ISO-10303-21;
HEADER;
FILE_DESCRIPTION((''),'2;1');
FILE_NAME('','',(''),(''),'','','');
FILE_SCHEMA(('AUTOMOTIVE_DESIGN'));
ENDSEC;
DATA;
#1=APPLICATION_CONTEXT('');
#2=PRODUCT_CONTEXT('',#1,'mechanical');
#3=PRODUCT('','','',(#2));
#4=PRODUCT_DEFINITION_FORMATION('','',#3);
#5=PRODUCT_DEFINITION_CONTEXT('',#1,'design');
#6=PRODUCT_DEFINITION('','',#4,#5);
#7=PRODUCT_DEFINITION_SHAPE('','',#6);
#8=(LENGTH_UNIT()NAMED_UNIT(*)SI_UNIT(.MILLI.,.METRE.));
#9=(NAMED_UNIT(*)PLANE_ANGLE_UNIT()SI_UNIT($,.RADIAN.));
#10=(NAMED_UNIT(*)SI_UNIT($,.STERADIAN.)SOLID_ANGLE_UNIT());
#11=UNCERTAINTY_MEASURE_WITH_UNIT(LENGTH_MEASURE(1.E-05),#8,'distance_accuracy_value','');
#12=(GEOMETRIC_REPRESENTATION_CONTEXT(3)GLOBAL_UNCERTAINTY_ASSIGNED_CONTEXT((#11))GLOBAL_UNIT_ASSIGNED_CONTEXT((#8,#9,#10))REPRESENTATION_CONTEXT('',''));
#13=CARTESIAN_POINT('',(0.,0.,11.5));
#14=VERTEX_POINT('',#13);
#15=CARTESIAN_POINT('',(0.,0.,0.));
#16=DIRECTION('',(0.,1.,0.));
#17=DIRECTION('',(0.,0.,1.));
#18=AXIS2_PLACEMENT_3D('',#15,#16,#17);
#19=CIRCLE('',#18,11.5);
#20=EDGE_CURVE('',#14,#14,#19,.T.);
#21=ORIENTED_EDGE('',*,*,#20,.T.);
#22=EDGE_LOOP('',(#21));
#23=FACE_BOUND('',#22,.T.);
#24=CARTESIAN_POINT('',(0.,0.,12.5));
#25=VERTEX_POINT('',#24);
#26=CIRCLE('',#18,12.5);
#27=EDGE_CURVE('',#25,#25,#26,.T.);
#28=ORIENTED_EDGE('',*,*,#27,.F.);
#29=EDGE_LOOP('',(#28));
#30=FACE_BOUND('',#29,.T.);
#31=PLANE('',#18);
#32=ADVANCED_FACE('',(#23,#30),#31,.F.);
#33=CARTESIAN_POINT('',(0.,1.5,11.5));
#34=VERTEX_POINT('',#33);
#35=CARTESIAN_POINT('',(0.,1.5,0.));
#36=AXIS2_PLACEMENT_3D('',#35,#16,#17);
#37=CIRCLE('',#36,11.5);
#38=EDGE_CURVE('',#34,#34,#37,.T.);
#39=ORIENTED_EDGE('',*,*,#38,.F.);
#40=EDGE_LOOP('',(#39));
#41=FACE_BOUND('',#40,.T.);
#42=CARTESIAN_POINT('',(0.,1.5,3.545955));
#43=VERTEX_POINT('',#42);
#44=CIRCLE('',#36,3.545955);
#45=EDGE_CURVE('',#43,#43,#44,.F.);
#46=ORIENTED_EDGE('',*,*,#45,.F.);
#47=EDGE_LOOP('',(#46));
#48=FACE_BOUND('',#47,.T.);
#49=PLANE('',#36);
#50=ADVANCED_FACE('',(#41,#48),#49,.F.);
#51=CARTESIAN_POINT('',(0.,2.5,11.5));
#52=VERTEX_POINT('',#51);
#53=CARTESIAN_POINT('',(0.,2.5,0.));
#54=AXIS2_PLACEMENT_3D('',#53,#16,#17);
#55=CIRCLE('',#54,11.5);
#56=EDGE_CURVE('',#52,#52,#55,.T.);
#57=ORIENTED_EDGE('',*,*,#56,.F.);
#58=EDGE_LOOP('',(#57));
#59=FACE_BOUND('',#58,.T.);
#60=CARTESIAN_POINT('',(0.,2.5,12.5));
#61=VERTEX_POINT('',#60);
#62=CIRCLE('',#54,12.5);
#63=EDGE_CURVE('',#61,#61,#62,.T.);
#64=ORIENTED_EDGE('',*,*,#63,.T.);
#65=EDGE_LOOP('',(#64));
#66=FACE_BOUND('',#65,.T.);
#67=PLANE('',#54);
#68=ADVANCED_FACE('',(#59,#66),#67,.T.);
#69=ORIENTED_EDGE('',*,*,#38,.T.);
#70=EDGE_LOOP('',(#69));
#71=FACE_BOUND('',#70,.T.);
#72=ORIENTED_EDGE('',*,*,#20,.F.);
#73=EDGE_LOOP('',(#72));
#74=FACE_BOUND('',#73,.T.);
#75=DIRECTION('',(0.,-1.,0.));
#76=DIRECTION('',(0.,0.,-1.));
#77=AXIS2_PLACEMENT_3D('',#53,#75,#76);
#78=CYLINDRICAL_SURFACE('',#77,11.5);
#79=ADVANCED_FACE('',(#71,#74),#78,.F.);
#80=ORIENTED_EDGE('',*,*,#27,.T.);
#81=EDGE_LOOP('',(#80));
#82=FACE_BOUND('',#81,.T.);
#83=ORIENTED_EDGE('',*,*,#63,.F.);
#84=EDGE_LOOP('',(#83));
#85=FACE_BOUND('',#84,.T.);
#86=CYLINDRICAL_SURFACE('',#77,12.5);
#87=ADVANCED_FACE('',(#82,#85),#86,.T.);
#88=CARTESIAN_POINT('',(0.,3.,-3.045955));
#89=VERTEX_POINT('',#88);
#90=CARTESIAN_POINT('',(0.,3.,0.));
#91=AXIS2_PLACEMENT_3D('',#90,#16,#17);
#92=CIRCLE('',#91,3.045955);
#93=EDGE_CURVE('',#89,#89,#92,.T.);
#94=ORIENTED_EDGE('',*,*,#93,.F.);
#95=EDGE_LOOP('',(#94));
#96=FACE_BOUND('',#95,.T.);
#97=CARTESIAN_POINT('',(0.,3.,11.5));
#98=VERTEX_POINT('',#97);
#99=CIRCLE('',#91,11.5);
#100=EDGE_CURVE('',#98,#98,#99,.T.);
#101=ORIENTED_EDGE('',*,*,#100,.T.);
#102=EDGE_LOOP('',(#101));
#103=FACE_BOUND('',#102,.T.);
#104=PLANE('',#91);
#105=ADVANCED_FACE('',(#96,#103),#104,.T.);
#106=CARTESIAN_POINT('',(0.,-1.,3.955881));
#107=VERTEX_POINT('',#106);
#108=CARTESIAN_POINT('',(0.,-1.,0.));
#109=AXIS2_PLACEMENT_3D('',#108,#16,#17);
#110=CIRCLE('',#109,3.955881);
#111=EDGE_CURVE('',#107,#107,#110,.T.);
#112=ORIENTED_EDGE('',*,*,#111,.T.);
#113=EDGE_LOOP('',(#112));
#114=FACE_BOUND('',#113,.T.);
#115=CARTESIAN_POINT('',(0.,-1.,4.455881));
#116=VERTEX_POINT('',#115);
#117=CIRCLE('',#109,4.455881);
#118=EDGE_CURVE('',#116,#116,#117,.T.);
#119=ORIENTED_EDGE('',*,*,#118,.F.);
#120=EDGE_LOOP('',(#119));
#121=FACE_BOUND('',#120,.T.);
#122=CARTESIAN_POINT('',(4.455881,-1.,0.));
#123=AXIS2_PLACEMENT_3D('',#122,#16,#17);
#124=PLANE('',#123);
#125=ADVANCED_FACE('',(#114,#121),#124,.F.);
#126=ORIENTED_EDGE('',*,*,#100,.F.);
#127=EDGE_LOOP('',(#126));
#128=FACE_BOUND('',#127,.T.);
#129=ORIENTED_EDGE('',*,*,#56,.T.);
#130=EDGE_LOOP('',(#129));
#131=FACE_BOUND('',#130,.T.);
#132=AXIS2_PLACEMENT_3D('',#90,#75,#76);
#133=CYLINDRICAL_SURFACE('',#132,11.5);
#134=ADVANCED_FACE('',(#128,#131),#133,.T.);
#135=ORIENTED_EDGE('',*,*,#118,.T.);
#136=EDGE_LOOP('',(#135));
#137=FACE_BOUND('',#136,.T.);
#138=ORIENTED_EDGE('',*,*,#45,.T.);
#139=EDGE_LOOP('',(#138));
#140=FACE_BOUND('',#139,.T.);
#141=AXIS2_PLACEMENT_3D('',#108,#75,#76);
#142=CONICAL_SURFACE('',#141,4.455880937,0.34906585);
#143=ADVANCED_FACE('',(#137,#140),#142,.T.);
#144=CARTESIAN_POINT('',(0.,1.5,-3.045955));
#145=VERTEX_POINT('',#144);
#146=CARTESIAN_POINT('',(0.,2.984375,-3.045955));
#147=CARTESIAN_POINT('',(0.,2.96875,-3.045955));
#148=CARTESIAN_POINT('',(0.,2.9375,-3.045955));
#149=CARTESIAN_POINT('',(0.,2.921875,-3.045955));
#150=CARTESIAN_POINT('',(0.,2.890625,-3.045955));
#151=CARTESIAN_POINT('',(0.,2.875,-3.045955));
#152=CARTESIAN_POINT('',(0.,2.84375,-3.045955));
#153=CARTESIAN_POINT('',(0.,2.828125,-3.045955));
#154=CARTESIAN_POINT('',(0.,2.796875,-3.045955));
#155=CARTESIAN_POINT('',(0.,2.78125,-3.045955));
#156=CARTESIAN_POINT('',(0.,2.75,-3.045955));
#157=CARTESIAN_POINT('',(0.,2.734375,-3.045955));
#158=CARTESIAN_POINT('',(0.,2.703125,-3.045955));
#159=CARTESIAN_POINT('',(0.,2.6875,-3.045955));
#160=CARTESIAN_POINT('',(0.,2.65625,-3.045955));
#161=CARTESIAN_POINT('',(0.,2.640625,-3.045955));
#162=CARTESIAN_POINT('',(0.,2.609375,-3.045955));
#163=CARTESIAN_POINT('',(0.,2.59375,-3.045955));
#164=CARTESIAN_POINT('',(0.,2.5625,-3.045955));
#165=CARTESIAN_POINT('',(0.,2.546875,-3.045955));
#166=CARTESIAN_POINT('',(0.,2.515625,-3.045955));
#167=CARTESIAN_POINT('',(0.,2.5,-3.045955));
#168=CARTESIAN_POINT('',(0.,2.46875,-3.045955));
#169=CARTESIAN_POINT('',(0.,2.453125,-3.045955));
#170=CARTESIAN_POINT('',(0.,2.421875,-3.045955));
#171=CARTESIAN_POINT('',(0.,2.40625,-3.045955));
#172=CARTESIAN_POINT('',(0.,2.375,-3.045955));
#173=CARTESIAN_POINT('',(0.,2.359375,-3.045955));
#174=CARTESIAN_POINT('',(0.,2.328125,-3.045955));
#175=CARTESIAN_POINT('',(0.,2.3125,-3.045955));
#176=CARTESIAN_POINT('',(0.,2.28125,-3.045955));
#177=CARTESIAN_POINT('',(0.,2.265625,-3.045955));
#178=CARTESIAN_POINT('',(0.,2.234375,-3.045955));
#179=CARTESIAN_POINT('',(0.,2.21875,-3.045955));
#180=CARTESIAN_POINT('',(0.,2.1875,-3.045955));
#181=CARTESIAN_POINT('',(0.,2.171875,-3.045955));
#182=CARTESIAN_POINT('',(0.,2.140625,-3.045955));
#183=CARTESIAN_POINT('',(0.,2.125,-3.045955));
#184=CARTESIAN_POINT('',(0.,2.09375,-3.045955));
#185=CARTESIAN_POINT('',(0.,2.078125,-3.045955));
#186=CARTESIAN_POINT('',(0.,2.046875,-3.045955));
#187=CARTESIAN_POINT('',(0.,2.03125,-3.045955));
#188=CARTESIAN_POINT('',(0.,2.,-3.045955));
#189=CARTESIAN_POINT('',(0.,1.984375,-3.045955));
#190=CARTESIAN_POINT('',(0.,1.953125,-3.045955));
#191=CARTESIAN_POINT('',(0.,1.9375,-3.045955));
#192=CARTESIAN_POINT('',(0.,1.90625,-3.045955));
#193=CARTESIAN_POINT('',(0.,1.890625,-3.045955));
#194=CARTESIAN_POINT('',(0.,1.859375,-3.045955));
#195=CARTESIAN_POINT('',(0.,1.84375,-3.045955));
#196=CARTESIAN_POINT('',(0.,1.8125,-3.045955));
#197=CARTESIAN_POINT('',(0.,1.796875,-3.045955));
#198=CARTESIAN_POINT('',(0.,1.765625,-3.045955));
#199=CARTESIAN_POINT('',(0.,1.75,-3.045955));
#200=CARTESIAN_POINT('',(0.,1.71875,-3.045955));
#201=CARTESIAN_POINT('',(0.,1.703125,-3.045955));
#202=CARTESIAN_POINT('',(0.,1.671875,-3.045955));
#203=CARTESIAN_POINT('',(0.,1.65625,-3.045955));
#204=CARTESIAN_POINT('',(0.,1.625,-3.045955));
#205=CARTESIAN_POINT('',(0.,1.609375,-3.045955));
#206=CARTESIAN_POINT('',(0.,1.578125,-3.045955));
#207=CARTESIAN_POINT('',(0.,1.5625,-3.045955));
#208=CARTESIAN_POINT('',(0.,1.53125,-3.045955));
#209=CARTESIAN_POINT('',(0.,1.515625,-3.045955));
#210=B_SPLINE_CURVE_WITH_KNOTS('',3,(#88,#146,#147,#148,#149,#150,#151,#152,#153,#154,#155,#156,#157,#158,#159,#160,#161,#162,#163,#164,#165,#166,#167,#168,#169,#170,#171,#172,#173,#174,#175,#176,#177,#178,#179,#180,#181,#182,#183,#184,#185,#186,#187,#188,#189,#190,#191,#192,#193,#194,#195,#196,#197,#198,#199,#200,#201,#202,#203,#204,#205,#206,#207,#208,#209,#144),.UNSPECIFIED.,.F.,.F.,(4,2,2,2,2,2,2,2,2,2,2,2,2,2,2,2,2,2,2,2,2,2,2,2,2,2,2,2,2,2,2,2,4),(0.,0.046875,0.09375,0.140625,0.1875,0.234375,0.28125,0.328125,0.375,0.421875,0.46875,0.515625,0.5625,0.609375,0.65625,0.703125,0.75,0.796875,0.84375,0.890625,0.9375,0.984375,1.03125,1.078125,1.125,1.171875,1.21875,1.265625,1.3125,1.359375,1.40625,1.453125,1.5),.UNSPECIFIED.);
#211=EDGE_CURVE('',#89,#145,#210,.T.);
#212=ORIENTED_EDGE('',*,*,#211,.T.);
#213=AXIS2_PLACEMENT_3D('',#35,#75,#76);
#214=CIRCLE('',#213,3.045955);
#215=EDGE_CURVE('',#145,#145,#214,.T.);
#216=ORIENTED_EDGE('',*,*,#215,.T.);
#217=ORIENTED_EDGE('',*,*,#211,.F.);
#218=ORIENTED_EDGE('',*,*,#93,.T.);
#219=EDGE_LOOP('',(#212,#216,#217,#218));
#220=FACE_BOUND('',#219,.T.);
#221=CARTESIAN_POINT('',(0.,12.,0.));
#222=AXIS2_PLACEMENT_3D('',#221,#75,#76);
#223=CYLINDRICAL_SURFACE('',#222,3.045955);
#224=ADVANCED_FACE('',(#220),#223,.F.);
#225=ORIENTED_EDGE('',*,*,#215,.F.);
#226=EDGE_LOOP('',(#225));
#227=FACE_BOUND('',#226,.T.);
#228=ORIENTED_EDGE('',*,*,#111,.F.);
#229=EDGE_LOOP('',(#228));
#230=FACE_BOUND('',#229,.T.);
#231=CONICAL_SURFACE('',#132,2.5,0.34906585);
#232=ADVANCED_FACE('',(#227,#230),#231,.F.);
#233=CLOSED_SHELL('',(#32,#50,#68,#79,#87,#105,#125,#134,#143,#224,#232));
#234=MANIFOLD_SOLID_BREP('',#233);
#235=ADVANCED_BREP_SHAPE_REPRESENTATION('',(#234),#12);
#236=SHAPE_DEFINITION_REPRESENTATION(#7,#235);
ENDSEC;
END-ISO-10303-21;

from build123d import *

# Parameters (mm, degrees)
SKETCH1_R           = 12.5
BOSS_EXTRUDE1_DEPTH = 2.5
SHELL1_T            = -1
SKETCH2_R           = 11.5
BOSS_EXTRUDE2_DEPTH = 0.5
SKETCH5_R           = 3.045955351
CUT_EXTRUDE3_DEPTH  = 10.5


with BuildPart() as part:
    # Sketch1 → Boss-Extrude1 (new body)
    with BuildSketch(Plane(origin=(0, 0, 0), x_dir=(1, 0, 0), z_dir=(0, 1, 0))):
        with Locations(Location((0, 0, 0), (0, 0, 270))):
            Circle(SKETCH1_R)
    extrude(amount=BOSS_EXTRUDE1_DEPTH)

    # Shell1
    shell1_openings = [part.faces().sort_by_distance(p)[0] for p in [
        (0, 0, 0),
    ]]
    offset(amount=SHELL1_T, openings=shell1_openings, kind=Kind.INTERSECTION)

    # Sketch2 → Boss-Extrude2 (add)
    with BuildSketch(Plane(origin=(0, 2.5, 0), x_dir=(1, 0, 0), z_dir=(0, 1, 0))):
        with Locations(Location((0, 0, 0), (0, 0, 270))):
            Circle(SKETCH2_R)
    extrude(amount=BOSS_EXTRUDE2_DEPTH)

    # Sketch4 → Revolve1 (revolve)
    with BuildSketch(Plane.XY, mode=Mode.PRIVATE) as revolve1_sk:
        Polygon((4.455880937, -1), (3.955880937, -1), (2.5, 3), (3, 3), align=None)
    revolve(revolve1_sk.sketch.rotate(Axis((0, 3, 0), (0, -1, 0)), 90), axis=Axis((0, 3, 0), (0, -1, 0)))

    # Sketch5 → Cut-Extrude3 (cut)
    with BuildSketch(Plane.XZ.offset(-1.5)):
        with Locations(Location((0, 0, 0), (0, 0, 270))):
            Circle(SKETCH5_R)
    extrude(amount=-CUT_EXTRUDE3_DEPTH, mode=Mode.SUBTRACT)


solid = part.part
